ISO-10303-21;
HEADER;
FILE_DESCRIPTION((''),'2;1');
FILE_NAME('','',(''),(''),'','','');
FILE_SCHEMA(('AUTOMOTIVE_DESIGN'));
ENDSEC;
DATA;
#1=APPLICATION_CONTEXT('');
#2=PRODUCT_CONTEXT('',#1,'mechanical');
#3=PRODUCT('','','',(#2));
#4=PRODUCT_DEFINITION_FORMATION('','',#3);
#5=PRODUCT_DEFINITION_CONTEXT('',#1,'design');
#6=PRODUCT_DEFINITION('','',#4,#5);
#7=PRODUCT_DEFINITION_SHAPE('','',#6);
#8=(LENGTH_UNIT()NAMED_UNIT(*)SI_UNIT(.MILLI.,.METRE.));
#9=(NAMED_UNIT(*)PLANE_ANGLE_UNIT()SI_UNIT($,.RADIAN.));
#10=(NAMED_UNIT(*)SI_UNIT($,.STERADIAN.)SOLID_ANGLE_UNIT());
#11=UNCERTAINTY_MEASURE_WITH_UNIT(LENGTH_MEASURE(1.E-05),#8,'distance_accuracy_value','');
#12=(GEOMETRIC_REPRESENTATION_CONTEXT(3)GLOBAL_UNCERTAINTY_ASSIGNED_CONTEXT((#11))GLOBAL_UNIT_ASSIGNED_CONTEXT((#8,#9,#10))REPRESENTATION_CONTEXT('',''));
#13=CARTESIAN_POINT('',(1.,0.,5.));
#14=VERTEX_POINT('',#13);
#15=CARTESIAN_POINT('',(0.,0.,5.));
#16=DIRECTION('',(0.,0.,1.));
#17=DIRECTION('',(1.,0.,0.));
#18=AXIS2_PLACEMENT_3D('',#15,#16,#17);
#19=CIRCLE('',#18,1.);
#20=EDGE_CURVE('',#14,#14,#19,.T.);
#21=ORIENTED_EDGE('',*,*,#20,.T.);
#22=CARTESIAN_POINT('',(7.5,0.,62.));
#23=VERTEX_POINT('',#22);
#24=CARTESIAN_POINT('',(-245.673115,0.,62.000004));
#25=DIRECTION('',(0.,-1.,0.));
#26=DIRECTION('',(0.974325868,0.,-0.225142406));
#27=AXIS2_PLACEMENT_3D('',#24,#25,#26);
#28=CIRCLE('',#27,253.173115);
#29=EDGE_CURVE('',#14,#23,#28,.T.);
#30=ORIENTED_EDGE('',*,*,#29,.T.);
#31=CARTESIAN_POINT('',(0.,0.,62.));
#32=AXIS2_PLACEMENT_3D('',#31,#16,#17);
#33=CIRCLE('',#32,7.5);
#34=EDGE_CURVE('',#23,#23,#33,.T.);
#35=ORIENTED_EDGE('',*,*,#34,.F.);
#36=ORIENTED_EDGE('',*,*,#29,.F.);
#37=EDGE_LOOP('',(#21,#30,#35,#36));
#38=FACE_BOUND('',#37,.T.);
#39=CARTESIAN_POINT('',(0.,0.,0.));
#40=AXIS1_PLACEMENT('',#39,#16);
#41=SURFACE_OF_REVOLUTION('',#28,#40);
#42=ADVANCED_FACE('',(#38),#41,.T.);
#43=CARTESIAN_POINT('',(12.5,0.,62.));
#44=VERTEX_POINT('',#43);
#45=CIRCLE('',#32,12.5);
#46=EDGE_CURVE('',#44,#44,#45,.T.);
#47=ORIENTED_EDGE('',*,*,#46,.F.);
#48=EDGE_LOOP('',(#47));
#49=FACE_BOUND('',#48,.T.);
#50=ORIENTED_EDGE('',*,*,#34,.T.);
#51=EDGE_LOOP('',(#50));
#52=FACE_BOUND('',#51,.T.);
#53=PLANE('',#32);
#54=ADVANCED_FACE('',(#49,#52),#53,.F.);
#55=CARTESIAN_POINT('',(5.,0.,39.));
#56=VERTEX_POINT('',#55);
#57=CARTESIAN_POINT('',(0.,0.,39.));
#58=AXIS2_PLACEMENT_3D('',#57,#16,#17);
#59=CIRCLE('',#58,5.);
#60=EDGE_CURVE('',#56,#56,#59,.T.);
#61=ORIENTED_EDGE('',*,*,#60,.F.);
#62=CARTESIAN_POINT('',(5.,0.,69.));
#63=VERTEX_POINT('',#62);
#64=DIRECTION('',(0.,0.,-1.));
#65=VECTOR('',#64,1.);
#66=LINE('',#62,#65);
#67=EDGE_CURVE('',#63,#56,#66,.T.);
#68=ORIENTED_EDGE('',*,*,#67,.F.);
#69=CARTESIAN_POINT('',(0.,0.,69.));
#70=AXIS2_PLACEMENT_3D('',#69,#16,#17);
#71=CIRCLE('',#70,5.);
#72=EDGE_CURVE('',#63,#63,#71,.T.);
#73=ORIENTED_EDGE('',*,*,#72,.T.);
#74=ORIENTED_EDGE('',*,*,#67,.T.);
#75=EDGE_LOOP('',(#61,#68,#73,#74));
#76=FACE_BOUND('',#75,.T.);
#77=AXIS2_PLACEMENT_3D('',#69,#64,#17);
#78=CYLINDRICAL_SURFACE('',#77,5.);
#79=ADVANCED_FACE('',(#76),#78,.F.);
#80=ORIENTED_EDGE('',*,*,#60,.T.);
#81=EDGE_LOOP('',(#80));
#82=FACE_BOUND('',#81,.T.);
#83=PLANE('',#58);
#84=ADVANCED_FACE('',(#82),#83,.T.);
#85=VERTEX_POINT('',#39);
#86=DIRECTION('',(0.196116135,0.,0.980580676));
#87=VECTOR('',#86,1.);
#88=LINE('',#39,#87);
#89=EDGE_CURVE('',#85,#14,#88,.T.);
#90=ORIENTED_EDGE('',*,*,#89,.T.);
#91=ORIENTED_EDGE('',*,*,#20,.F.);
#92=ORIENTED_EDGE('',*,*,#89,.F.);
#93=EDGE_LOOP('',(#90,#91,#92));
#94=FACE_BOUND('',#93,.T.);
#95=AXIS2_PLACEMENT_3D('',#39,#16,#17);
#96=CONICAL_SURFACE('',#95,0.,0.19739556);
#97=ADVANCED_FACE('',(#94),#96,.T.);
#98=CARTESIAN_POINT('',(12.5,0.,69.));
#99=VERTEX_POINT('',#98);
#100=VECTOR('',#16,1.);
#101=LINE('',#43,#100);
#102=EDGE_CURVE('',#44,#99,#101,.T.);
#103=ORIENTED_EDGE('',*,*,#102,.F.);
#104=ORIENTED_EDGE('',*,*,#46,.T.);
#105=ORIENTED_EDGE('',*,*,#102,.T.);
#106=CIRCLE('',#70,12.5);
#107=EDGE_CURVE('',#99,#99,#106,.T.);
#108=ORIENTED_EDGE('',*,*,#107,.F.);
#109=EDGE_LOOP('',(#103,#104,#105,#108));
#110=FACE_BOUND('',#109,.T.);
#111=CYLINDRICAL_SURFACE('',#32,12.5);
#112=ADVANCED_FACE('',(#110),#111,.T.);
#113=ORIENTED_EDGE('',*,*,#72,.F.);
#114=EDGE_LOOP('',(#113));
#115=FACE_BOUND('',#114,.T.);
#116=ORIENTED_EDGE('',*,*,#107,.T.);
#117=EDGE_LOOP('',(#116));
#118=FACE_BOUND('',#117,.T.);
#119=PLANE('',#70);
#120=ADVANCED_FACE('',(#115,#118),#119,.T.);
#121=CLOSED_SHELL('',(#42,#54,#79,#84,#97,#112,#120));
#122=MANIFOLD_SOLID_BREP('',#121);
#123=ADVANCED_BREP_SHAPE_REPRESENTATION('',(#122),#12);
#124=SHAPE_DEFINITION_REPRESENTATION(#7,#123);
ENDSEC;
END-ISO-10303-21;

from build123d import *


with BuildPart() as part:
    # Sketch → Revolution (revolve)
    with BuildSketch(Plane.XZ):
        with BuildLine():
            Line((7.5, 62), (12.5, 62))
            Line((12.5, 62), (12.5, 69))
            Line((12.5, 69), (5, 69))
            Line((5, 69), (5, 39))
            Line((5, 39), (0, 39))
            Line((0, 39), (0, 0))
            Line((0, 0), (1, 5))
            ThreePointArc((1, 5), (5.869751, 33.315292), (7.5, 62))
        make_face()
    revolve(axis=Axis((0, 0, 0), (0, 0, 1)))


solid = part.part
